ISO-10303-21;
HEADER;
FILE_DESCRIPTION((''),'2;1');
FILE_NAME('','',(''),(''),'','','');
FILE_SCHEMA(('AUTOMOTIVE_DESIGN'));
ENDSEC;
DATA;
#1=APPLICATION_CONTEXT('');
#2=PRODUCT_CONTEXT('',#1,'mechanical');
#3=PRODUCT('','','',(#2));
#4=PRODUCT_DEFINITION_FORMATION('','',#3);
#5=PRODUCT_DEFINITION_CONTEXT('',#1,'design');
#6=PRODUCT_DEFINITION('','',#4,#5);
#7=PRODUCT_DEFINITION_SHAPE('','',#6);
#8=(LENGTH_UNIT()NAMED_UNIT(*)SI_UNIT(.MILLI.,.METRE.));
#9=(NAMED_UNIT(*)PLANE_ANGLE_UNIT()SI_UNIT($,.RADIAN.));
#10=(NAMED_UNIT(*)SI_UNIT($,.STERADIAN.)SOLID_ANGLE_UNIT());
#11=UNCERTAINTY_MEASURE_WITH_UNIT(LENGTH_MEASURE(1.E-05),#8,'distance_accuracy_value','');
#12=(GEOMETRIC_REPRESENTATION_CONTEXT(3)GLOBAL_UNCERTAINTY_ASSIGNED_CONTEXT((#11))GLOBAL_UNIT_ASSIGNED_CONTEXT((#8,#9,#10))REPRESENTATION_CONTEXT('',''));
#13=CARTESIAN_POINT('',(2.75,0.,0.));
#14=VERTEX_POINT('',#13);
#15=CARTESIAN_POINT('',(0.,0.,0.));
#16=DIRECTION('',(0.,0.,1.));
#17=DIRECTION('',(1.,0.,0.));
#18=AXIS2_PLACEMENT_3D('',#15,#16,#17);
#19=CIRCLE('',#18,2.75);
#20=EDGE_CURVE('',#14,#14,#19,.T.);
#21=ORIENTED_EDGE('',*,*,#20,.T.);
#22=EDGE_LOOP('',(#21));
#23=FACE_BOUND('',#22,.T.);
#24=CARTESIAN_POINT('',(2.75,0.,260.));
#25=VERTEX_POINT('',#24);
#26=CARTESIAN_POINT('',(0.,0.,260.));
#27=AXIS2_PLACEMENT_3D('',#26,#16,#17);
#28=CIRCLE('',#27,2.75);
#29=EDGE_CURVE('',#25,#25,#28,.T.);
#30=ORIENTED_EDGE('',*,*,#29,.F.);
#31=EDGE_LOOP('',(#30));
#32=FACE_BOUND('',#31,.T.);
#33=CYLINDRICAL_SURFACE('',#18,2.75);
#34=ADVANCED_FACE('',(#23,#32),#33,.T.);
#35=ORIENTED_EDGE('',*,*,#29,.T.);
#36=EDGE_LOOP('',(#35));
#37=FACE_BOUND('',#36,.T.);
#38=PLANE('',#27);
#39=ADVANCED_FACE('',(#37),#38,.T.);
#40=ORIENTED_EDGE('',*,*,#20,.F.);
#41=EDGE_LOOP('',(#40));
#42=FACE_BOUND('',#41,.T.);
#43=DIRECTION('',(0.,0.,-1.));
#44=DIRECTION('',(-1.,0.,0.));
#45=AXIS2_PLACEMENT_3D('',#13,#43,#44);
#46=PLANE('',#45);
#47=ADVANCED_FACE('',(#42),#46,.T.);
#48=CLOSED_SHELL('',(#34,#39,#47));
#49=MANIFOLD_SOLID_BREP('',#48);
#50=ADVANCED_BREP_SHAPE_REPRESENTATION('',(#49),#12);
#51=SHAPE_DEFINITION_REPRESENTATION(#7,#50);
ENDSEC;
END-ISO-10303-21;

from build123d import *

# Parameters (mm, degrees)
SKETCH_1_W = 2.75
SKETCH_1_H = 260


with BuildPart() as part:
    # Эскиз1 → Повернуть1 (revolve)
    with BuildSketch(Plane(origin=(0, 0, 0), x_dir=(1, 0, 0), z_dir=(0, 1, 0))):
        with Locations((1.375, -130)):
            Rectangle(SKETCH_1_W, SKETCH_1_H)
    revolve(axis=Axis((0, 0, 0), (0, 0, 1)))


solid = part.part
